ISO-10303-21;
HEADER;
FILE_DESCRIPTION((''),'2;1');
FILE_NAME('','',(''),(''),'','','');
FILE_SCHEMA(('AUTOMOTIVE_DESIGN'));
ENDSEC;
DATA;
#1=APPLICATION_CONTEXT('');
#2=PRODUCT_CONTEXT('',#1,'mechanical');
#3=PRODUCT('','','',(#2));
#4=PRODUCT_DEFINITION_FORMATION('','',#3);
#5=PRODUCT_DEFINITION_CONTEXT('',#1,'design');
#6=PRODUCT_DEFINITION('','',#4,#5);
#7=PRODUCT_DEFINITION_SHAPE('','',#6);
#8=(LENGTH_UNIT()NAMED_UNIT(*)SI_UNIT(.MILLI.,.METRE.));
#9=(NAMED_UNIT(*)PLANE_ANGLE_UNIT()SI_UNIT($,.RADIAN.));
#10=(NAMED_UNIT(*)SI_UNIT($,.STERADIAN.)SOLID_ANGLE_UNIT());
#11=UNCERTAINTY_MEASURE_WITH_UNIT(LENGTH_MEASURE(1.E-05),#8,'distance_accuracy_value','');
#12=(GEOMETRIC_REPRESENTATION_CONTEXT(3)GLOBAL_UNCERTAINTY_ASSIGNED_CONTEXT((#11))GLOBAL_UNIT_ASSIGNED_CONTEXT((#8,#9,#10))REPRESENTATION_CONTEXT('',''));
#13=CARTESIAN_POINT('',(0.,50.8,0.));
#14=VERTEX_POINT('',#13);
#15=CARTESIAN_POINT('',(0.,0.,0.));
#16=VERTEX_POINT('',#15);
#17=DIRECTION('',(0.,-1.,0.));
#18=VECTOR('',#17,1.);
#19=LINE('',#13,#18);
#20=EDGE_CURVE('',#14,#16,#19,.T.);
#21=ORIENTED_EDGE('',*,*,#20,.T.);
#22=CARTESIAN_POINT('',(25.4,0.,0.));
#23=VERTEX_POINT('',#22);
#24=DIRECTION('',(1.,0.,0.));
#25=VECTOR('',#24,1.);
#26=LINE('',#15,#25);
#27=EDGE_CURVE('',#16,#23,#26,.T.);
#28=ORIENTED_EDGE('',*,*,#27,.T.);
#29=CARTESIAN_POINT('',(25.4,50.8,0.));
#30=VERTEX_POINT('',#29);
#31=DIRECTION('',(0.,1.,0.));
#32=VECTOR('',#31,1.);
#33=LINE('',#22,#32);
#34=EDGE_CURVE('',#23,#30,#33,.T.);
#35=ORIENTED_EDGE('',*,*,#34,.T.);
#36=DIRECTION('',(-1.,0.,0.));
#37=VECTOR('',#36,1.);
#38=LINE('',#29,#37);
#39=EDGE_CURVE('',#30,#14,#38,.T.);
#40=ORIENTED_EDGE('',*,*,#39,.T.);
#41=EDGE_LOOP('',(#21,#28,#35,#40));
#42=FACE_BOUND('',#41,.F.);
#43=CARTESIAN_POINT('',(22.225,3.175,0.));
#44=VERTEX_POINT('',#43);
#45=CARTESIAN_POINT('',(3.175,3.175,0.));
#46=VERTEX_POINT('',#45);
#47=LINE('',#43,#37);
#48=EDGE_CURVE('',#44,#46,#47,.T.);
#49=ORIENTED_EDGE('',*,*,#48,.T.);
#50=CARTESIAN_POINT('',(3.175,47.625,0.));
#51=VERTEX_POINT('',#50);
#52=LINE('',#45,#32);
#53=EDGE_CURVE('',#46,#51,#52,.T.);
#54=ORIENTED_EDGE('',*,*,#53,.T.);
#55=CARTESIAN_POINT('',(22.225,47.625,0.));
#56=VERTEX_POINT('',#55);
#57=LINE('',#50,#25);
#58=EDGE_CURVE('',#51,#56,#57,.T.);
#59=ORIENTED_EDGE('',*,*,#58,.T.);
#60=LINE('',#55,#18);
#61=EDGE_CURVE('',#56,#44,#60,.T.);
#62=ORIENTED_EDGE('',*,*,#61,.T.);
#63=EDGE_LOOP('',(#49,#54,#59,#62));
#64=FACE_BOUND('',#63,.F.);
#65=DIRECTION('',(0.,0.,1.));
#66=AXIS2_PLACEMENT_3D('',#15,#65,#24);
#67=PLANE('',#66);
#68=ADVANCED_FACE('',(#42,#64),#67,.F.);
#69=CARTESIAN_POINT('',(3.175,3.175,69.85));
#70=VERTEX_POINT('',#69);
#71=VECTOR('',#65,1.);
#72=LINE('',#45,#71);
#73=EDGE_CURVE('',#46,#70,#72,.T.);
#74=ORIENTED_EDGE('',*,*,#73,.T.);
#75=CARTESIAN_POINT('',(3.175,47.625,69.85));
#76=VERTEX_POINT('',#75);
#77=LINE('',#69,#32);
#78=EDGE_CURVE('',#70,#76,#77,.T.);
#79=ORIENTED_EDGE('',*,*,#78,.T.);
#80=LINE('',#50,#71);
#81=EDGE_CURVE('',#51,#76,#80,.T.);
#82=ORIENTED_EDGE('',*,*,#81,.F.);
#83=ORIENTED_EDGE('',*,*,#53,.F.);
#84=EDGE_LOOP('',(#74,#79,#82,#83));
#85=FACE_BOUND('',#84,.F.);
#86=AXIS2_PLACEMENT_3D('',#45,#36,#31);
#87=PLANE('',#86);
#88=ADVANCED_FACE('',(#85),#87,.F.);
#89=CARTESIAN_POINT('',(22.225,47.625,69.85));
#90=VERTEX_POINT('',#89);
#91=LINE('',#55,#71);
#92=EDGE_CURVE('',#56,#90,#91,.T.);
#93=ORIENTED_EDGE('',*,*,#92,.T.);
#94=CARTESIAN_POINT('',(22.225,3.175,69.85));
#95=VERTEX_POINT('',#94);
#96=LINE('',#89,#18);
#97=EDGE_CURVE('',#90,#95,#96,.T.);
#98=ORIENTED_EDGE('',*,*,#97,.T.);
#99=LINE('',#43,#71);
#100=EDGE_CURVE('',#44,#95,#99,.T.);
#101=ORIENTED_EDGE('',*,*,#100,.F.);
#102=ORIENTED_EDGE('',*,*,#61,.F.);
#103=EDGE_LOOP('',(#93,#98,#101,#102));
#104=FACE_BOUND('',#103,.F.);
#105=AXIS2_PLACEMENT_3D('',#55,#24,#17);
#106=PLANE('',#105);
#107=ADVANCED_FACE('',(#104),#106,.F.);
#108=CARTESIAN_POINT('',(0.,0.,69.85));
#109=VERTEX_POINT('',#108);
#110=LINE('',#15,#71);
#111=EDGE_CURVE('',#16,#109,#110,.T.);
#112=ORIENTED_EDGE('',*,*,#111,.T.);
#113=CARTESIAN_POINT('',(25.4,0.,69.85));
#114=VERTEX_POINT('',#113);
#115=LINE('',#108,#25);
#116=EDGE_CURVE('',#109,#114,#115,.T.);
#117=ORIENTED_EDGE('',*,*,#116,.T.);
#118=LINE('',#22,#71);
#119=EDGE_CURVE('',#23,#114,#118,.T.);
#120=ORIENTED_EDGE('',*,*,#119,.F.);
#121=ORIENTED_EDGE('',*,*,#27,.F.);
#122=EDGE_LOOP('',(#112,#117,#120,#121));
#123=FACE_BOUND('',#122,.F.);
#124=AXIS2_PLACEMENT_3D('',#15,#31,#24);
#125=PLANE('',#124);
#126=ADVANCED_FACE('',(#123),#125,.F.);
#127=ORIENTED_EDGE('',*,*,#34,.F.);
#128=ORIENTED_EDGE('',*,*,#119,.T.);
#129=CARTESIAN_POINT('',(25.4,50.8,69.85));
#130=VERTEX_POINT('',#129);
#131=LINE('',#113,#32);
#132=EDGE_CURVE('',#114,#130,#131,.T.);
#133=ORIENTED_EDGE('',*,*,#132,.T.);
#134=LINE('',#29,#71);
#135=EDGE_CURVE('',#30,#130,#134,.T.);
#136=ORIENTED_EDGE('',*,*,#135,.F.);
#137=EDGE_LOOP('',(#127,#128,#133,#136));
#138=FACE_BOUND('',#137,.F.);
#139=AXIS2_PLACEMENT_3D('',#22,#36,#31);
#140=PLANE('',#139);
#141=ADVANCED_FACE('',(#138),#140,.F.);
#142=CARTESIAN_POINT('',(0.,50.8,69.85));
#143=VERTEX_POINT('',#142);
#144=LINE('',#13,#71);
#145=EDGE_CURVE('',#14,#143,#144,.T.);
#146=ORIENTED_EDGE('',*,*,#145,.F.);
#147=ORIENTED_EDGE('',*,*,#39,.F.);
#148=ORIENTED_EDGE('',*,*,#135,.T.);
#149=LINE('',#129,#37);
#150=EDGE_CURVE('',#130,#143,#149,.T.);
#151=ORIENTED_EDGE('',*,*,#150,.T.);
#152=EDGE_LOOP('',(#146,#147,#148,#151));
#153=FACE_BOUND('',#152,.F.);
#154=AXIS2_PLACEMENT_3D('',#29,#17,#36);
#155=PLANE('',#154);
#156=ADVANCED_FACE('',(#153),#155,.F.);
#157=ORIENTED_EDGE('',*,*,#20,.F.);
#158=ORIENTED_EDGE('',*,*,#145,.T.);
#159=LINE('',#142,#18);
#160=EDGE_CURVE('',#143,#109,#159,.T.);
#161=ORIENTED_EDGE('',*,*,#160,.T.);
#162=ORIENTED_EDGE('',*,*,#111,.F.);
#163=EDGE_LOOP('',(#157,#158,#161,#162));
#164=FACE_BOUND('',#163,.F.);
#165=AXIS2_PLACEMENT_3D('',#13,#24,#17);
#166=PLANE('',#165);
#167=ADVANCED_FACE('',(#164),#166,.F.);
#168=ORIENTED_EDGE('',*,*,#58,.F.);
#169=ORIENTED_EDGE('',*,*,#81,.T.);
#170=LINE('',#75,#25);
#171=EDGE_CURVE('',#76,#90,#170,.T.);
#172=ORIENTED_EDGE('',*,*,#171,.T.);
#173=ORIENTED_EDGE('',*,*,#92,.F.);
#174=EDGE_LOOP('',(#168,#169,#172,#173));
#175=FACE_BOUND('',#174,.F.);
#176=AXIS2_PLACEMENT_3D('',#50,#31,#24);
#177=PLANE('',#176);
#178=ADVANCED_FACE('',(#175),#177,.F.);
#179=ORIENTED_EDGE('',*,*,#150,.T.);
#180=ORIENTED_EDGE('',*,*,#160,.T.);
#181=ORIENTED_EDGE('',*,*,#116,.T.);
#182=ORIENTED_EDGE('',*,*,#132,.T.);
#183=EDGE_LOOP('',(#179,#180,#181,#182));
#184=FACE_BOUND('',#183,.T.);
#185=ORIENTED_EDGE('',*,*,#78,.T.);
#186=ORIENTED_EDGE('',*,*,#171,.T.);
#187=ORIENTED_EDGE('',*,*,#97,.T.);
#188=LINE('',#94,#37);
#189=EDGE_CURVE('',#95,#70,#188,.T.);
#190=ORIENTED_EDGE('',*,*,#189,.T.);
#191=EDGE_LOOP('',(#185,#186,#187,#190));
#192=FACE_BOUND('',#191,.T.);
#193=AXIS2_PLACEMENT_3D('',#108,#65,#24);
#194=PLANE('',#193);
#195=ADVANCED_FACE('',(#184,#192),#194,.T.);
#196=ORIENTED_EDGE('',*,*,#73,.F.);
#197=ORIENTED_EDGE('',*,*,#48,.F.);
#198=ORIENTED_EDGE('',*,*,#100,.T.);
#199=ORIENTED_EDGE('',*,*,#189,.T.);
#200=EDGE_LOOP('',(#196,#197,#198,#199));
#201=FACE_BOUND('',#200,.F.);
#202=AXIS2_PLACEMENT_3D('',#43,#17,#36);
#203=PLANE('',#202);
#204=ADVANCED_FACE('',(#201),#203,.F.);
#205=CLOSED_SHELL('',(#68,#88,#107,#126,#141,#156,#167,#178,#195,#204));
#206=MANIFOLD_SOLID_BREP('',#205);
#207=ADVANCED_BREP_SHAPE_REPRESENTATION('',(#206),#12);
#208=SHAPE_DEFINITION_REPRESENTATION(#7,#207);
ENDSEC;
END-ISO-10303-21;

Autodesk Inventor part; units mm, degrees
ref_plane "YZ Plane" through (0, 0, 0) normal (1, 0, 0) x (0, 1, 0)
ref_plane "XZ Plane" through (0, 0, 0) normal (0, 1, 0) x (-1, 0, 0)
ref_plane "XY Plane" through (0, 0, 0) normal (0, 0, 1) x (1, 0, 0)
sketch "Sketch1" plane through (0, 0, 0) normal (0, 0, 1) x (1, 0, 0)
  line L0 (0, 0) -> (25.4, 0)
  line L1 (25.4, 0) -> (25.4, 50.8)
  line L2 (25.4, 50.8) -> (0, 50.8)
  line L3 (0, 50.8) -> (0, 0)
  line L4 (22.225, 47.625) -> (22.225, 3.175)
  line L5 (22.225, 3.175) -> (3.175, 3.175)
  line L6 (3.175, 3.175) -> (3.175, 47.625)
  line L7 (3.175, 47.625) -> (22.225, 47.625)
  dimension "d0" = 25.4
  dimension "d1" = 50.8
  dimension "d2" = 3.175
extrude "Extrusion1" add sketch "Sketch1" along normal blind 69.85
properties part number "FrameConnector"
